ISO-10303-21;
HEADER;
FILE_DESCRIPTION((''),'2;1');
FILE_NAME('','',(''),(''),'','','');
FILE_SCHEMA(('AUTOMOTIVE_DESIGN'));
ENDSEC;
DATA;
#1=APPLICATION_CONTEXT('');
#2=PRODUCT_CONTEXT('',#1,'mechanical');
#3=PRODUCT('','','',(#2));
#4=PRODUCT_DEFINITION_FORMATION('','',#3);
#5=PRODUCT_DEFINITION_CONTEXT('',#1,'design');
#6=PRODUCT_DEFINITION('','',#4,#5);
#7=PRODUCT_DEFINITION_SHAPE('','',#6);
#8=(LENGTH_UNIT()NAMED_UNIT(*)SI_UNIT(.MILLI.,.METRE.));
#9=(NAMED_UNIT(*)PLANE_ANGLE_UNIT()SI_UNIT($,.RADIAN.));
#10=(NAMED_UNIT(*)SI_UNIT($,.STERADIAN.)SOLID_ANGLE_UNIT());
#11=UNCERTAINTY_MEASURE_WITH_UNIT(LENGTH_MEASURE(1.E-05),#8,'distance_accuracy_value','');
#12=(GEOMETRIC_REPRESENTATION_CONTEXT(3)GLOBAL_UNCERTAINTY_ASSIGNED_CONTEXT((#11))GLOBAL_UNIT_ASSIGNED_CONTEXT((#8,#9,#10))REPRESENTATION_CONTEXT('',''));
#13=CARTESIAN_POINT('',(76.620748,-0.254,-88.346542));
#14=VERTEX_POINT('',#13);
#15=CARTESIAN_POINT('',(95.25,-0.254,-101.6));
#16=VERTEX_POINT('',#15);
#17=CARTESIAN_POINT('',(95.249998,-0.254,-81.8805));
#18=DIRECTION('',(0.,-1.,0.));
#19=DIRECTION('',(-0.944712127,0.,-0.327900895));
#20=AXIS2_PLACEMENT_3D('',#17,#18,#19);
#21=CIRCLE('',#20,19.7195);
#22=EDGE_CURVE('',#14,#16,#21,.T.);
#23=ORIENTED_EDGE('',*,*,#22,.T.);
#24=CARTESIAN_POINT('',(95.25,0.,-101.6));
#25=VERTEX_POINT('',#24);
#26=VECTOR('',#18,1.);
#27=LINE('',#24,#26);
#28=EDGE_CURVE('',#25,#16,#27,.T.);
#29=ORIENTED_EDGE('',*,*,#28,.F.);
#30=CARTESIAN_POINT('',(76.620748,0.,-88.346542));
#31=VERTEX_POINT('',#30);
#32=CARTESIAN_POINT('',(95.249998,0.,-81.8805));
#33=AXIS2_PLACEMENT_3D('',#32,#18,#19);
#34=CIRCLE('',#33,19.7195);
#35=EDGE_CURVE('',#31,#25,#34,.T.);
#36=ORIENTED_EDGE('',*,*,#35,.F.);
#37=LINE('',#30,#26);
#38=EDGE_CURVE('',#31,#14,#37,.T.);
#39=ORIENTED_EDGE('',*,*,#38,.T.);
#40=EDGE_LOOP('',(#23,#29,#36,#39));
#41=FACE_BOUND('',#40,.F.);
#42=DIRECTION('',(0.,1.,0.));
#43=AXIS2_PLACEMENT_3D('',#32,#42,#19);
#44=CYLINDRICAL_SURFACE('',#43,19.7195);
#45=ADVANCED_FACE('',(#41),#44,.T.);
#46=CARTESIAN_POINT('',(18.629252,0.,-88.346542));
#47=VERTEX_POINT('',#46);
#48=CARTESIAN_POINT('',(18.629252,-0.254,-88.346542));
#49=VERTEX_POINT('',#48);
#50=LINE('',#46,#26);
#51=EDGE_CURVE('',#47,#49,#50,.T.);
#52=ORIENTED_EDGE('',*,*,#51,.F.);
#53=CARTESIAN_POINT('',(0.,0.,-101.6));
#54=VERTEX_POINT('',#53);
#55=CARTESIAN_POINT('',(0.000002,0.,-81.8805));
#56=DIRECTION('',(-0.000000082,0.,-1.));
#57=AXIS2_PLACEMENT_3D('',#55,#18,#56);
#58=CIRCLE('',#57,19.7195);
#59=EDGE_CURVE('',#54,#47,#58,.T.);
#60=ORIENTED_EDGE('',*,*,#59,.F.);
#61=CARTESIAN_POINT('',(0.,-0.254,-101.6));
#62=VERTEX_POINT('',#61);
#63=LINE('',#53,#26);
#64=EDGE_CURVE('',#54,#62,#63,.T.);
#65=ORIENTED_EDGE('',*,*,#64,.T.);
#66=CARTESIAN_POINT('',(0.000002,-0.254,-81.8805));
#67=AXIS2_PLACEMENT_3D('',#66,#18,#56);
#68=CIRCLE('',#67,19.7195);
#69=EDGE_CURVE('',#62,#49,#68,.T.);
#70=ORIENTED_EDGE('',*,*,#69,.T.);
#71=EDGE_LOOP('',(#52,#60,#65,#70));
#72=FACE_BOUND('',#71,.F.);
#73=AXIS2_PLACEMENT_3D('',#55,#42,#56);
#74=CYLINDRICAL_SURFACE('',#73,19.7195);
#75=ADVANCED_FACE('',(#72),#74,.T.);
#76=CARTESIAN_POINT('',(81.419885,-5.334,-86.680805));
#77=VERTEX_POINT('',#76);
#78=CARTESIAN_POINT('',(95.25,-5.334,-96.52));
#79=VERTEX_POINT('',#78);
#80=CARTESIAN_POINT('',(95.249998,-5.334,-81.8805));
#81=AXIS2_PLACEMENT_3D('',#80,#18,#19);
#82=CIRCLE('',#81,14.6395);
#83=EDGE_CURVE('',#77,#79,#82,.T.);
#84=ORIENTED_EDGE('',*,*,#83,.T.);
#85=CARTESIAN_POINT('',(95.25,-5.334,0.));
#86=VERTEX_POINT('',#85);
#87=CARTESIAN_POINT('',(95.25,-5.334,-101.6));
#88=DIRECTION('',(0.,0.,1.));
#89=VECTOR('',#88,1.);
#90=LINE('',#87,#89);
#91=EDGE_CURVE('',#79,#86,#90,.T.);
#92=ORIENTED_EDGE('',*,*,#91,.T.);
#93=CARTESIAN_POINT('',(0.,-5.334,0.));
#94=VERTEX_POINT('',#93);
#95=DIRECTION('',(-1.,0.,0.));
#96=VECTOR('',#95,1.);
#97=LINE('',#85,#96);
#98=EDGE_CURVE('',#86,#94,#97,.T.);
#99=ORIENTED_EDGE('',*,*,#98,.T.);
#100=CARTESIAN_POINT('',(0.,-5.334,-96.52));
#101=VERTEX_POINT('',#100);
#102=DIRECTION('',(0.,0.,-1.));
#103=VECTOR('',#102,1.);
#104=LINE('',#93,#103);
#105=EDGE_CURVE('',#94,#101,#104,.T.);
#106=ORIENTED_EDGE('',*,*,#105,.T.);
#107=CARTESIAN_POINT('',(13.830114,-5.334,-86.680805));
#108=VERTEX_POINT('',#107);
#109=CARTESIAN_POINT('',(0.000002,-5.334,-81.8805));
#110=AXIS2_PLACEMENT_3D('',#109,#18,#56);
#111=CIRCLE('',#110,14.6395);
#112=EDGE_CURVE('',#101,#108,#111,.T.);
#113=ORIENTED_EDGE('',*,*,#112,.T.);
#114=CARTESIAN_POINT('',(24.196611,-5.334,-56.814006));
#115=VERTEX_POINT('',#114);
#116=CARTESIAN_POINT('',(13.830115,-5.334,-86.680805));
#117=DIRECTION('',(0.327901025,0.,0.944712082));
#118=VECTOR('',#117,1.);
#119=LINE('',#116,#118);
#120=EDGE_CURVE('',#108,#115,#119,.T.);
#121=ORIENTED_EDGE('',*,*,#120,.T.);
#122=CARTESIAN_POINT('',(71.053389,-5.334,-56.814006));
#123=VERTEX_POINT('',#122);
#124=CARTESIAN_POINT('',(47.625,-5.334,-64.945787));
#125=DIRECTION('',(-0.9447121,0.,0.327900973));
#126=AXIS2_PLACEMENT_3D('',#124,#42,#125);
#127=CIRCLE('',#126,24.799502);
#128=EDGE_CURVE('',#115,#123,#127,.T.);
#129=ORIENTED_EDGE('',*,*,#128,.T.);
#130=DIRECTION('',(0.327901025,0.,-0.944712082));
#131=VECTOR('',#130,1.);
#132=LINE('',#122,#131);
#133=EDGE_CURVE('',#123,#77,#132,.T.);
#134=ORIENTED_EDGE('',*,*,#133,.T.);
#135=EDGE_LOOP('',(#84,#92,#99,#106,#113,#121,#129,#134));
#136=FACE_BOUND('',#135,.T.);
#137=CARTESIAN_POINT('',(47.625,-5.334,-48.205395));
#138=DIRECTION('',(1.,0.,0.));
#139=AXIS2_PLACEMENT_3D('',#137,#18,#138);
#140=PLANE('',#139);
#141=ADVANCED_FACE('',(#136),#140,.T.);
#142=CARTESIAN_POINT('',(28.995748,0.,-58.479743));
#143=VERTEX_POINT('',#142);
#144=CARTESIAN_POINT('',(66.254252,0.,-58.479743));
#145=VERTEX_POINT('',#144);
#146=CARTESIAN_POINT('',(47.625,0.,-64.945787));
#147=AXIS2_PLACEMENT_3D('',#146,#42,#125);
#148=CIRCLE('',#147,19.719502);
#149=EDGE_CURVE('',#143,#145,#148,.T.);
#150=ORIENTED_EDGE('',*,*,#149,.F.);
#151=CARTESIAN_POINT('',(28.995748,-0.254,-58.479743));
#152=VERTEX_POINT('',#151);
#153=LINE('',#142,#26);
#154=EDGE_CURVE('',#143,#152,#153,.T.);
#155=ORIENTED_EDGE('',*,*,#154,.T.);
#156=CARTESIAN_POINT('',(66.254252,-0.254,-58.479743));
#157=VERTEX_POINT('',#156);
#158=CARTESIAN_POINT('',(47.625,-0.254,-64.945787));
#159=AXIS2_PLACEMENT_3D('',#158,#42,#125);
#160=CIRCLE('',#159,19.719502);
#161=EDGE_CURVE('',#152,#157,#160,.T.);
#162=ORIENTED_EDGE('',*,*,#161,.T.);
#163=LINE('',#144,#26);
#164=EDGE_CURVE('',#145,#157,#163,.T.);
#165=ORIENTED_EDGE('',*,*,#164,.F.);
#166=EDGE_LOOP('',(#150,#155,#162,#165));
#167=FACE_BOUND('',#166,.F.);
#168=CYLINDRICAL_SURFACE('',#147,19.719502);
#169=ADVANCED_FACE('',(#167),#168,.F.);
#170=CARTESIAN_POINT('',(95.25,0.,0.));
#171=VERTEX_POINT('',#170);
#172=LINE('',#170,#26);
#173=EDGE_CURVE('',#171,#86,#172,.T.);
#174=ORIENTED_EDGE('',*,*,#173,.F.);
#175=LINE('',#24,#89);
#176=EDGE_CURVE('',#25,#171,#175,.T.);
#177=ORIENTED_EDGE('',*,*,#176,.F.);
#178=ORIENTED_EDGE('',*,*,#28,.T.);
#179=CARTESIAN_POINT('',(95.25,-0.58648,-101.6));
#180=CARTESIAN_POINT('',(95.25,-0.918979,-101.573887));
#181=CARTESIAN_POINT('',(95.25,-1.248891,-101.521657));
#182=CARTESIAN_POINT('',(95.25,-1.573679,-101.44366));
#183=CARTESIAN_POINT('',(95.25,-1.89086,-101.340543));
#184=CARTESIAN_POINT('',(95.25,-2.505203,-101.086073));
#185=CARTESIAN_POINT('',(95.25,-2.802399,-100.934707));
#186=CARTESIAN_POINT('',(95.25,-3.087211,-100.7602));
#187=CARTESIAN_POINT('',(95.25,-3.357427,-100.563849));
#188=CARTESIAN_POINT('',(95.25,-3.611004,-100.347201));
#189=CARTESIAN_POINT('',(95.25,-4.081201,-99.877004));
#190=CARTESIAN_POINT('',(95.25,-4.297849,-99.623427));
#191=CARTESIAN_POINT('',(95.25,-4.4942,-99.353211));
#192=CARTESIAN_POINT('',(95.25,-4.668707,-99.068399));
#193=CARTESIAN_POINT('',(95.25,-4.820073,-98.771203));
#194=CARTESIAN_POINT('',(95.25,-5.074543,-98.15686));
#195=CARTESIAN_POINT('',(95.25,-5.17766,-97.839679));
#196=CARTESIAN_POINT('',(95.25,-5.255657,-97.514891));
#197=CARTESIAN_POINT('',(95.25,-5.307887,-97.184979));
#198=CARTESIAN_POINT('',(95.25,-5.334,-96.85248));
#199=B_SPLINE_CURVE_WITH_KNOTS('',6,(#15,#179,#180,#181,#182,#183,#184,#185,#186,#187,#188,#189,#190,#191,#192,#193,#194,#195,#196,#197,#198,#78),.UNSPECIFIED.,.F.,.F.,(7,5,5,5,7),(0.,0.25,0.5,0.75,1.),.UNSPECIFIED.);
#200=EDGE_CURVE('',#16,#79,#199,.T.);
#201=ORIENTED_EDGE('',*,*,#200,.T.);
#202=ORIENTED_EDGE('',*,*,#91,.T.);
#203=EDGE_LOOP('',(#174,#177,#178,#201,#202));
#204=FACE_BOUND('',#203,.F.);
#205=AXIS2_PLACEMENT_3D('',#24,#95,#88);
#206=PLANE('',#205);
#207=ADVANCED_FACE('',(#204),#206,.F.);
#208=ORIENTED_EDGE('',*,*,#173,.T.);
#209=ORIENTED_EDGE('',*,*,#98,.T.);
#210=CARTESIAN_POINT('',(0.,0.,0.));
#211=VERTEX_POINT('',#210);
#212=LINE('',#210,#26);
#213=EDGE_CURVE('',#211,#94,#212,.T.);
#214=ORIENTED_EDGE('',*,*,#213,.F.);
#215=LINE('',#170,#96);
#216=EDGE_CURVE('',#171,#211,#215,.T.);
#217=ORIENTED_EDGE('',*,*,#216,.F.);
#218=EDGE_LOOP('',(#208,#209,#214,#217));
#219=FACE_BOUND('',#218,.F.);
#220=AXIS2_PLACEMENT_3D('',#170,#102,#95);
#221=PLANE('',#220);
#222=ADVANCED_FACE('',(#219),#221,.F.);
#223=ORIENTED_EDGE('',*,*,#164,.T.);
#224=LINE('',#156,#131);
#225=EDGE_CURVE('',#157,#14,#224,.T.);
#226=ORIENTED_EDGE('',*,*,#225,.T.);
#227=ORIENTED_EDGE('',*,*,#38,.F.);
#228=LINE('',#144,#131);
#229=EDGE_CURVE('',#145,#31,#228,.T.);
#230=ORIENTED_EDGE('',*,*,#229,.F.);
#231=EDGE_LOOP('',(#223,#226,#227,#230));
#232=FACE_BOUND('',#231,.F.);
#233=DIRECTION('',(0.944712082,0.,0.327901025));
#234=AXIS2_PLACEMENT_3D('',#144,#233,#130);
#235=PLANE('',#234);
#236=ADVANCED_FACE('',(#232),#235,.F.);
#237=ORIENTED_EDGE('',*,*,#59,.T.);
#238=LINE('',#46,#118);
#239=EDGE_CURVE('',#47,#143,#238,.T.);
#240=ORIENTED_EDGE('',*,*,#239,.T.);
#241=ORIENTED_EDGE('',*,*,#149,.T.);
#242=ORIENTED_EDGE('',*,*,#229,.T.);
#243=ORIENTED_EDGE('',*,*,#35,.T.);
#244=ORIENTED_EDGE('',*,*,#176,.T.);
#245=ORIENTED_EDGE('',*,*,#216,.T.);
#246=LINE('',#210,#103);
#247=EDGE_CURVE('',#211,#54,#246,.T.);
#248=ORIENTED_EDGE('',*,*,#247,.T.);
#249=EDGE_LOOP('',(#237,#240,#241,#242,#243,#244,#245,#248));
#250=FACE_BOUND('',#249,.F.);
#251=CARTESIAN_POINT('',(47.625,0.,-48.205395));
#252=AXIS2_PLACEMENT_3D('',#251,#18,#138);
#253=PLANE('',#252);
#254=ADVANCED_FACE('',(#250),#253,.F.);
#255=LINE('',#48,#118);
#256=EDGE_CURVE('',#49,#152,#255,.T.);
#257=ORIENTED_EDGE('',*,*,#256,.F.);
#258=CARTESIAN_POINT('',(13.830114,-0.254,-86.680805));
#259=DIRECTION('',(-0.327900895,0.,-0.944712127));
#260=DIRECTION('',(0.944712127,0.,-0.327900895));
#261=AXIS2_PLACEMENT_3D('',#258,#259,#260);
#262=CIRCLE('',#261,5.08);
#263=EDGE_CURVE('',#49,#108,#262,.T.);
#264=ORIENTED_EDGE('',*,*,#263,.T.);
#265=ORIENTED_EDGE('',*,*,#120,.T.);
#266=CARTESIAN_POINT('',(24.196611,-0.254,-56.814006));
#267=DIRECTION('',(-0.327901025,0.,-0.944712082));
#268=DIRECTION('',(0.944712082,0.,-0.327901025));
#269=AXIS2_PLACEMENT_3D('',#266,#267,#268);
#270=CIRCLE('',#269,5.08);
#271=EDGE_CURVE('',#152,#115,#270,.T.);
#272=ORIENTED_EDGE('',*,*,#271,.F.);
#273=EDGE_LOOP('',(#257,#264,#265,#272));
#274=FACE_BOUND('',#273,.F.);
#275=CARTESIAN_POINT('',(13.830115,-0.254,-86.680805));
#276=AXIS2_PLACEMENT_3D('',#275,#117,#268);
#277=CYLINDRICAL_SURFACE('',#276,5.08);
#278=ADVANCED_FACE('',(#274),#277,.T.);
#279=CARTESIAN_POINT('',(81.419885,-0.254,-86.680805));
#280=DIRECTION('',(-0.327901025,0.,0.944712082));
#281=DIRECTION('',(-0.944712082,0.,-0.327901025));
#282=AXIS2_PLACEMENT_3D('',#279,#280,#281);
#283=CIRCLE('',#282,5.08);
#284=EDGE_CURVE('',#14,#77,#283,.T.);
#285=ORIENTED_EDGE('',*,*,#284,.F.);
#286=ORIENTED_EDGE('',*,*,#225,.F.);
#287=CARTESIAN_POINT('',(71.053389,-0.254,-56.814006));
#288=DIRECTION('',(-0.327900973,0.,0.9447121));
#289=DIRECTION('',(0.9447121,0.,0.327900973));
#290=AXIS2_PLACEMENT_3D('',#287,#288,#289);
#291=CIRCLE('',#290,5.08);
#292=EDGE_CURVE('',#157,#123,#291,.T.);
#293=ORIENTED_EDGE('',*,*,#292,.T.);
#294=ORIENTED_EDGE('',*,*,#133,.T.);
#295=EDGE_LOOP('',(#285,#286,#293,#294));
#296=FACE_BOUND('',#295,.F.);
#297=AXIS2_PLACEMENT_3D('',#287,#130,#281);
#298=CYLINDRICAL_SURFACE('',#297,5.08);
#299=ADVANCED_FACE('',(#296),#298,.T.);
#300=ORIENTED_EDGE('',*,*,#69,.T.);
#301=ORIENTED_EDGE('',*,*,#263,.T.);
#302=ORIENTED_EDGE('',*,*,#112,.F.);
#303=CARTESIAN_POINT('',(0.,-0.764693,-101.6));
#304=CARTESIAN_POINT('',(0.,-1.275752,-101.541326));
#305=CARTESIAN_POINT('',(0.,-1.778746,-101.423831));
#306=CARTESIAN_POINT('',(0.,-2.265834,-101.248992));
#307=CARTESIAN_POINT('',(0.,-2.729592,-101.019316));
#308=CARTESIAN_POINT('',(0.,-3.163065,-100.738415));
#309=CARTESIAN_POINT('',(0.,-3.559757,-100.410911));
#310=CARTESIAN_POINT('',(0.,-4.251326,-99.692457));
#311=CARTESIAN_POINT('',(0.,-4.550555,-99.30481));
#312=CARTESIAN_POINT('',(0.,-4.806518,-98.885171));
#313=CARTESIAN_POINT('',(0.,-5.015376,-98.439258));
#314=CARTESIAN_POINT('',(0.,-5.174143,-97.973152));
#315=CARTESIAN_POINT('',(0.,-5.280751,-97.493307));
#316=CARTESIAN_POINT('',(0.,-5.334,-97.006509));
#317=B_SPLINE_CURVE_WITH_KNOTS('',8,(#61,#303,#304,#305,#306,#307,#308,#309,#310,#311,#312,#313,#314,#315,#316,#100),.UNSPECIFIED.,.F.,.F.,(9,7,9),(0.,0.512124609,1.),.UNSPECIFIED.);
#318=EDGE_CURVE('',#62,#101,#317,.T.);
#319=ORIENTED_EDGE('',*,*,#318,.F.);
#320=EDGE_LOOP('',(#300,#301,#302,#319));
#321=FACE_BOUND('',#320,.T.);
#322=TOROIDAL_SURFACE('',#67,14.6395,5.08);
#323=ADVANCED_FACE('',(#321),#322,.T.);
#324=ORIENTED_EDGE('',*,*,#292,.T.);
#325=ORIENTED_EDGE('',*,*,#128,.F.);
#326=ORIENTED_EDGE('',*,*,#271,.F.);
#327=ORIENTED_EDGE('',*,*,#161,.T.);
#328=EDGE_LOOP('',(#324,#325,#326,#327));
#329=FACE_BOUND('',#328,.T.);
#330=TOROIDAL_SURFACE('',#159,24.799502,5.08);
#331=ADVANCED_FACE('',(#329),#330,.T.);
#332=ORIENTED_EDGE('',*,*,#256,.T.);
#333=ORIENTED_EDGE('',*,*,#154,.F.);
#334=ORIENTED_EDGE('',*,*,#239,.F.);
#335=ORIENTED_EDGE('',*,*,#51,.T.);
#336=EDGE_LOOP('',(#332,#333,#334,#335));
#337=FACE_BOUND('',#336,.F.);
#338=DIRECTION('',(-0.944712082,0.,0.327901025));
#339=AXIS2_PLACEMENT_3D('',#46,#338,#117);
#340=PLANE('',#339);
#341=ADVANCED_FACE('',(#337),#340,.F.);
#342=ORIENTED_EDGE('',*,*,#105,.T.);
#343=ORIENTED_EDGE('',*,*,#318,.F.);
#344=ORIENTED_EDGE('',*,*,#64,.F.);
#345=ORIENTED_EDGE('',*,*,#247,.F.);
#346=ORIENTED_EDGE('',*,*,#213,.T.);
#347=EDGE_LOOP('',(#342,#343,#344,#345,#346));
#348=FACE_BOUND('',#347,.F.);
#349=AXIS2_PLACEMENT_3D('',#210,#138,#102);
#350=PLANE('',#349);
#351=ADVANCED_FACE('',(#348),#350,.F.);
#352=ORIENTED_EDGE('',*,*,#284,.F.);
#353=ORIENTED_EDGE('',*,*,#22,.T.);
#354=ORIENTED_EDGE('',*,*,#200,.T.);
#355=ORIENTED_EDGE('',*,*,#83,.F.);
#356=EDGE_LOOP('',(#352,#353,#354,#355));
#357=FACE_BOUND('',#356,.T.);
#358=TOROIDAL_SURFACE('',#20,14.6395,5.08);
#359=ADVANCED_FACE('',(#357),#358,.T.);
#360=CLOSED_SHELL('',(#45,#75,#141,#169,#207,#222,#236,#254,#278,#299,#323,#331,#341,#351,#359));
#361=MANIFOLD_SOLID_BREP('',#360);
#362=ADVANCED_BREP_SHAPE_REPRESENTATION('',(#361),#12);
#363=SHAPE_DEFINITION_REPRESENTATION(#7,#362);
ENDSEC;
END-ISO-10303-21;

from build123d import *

# Parameters (mm, degrees)
F1_DEPTH = 5.334
F2_R     = 5.08


with BuildPart() as f1:
    # F0 (on Front) → F1 (new body)
    with BuildSketch(Plane.XZ):
        with BuildLine():
            Line((95.25, 0), (0, 0))
            Line((0, 0), (0, -101.6))
            ThreePointArc((0, -101.6), (11.431352, -97.948571), (18.629252, -88.346542))
            Line((18.629252, -88.346542), (28.995748, -58.479743))
            ThreePointArc((28.995748, -58.479743), (47.625, -45.226285), (66.254252, -58.479743))
            Line((66.254252, -58.479743), (76.620748, -88.346542))
            ThreePointArc((76.620748, -88.346542), (83.818648, -97.948571), (95.25, -101.6))
            Line((95.25, -101.6), (95.25, 0))
        make_face()
    extrude(amount=F1_DEPTH)

    # F2
    f2_edges = [f1.edges().sort_by_distance(p)[0] for p in [
        (11.431352, -5.334, -97.948571),
    ]]
    fillet(f2_edges, radius=F2_R)


solid = f1.part
